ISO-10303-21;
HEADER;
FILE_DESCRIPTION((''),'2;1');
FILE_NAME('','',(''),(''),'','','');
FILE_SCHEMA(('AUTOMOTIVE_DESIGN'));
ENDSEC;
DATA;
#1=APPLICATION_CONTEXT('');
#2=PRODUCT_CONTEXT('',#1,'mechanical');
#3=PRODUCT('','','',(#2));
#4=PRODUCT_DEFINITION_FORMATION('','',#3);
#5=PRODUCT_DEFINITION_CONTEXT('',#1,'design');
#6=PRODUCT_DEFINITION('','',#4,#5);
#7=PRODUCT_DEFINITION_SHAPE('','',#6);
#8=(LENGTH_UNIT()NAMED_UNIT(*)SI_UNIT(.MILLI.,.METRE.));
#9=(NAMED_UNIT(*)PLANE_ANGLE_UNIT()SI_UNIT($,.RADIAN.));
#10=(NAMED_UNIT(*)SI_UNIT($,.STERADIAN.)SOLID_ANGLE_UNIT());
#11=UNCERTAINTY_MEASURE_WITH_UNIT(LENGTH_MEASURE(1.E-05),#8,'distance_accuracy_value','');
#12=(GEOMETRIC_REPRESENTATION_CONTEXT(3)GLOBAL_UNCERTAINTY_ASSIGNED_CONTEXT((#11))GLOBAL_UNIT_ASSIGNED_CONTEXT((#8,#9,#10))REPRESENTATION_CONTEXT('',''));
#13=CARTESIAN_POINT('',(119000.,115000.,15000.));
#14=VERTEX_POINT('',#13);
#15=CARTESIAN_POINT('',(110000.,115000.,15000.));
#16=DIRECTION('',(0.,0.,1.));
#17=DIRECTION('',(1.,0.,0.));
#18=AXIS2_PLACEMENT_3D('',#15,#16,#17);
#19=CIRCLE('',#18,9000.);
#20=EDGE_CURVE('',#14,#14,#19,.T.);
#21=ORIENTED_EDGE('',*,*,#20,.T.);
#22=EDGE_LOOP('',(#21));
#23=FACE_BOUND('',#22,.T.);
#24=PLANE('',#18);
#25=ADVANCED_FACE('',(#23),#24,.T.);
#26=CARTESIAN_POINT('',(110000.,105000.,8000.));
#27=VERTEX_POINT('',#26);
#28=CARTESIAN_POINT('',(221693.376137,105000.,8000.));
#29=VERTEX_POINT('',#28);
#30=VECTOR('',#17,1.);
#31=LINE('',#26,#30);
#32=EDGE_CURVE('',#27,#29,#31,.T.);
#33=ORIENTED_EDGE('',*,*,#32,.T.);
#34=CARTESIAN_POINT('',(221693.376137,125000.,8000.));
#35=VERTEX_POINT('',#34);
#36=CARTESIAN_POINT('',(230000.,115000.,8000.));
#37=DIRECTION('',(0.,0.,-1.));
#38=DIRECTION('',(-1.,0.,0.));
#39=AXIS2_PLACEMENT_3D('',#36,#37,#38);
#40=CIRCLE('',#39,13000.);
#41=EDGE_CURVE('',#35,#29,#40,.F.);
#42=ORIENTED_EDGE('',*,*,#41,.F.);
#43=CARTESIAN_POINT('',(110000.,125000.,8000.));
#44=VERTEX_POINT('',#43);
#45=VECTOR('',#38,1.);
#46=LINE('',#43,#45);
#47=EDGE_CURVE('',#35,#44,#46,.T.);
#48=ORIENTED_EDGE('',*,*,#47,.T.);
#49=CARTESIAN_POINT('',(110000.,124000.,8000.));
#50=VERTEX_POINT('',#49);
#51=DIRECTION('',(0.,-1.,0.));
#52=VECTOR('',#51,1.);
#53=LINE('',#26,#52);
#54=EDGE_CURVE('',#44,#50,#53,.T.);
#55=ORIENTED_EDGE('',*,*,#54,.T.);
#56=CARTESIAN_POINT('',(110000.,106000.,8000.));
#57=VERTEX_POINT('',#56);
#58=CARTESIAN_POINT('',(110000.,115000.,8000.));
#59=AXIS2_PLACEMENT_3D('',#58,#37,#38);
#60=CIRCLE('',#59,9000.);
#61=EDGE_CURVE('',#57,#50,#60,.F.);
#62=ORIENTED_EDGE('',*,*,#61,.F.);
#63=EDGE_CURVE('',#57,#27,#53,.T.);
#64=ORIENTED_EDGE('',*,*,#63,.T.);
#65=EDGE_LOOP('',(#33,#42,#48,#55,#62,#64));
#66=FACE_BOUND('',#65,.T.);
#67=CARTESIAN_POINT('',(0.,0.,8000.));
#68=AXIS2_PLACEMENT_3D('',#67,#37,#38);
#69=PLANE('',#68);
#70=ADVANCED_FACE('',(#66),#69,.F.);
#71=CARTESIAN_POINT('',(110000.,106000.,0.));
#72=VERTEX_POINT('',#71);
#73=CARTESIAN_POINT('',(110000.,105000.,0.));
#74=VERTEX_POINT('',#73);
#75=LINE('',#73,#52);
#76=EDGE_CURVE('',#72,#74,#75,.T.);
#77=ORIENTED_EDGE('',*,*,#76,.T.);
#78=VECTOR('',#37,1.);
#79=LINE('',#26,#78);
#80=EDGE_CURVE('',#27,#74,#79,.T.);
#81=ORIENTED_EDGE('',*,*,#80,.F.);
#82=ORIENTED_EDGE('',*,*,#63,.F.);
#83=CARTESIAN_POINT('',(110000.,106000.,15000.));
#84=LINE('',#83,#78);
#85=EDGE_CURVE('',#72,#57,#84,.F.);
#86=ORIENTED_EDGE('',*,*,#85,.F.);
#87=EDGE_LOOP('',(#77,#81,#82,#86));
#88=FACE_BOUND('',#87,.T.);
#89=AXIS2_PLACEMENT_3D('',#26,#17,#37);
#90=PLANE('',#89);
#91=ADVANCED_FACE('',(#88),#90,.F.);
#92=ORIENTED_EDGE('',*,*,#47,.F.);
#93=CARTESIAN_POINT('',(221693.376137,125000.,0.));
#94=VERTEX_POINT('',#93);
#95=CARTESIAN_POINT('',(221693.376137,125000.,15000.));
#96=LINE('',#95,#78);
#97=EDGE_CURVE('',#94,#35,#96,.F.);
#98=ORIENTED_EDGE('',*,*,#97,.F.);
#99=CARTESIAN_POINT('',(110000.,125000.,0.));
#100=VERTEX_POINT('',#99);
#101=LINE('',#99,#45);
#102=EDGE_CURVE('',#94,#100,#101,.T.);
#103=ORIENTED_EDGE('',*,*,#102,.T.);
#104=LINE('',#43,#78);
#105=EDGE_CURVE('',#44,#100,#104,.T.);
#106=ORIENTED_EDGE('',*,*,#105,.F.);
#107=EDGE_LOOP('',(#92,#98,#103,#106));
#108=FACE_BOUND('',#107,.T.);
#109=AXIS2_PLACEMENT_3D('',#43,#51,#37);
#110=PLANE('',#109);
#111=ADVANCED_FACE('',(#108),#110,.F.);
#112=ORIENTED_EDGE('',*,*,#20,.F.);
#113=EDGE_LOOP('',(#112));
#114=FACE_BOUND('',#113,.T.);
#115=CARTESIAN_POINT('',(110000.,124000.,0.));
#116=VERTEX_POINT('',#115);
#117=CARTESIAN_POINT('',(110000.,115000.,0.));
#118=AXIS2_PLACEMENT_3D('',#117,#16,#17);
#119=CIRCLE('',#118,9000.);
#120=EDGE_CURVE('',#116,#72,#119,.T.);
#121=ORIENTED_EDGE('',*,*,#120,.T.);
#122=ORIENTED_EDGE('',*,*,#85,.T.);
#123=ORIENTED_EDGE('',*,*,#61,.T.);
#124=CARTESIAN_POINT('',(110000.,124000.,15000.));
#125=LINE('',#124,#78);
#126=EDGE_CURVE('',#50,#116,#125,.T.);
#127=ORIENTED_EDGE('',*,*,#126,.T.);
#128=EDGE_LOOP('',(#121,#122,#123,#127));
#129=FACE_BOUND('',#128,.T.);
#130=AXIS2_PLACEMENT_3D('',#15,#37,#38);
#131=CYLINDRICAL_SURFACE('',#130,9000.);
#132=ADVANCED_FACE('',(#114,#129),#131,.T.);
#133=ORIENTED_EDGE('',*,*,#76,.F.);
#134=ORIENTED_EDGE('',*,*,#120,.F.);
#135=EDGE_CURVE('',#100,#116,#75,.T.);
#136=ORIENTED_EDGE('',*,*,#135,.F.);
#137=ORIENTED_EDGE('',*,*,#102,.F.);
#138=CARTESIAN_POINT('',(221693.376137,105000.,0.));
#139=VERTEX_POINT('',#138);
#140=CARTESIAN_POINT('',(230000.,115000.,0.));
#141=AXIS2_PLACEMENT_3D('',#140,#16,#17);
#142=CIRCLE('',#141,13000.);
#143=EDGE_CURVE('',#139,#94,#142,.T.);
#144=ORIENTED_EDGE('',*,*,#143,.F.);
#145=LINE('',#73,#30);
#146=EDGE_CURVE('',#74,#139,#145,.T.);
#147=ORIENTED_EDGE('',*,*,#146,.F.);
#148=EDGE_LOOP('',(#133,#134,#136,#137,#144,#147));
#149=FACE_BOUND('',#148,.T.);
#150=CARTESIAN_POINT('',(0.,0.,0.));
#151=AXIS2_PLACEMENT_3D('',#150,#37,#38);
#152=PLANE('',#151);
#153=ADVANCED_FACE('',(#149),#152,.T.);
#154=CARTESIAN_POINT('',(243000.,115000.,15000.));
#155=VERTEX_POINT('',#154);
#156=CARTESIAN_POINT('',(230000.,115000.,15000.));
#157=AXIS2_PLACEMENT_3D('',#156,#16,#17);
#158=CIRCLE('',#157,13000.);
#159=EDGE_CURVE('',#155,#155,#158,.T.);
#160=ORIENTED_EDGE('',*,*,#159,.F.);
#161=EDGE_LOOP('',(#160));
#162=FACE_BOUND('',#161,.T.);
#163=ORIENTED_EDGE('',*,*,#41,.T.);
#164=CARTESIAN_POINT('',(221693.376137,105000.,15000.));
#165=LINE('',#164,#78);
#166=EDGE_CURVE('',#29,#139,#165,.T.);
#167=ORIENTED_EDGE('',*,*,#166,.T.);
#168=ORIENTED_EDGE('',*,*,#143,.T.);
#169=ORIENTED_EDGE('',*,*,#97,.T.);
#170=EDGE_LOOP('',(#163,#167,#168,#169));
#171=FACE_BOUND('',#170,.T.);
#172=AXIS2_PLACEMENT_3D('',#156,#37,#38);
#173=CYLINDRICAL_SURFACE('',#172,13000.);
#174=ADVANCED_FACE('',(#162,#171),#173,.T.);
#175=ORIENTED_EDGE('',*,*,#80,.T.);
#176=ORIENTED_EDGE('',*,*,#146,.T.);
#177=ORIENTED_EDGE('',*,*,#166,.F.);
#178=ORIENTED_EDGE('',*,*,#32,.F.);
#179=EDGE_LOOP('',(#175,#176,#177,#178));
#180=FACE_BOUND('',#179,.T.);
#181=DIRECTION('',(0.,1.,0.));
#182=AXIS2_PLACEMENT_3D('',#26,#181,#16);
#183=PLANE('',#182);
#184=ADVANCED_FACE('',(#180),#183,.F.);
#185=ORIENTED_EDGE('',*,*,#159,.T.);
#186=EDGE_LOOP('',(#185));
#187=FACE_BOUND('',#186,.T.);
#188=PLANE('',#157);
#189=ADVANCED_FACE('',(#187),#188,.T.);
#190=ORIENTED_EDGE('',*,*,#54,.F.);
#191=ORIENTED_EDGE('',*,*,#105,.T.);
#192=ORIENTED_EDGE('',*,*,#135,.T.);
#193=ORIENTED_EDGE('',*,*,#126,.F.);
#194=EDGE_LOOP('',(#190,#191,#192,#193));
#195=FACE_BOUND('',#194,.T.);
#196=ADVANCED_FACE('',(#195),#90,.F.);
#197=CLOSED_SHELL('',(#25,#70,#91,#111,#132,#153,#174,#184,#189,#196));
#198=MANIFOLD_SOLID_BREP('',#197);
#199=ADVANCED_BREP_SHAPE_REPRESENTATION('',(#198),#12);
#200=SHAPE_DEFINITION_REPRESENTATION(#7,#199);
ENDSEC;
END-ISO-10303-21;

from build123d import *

# Parameters (mm, degrees)
SKETCH_1_W      = 120000
SKETCH_1_H      = 20000
EXTRUDE_1_DEPTH = 8000
SKETCH_2_R      = 9000
EXTRUDE_2_DEPTH = 15000
SKETCH_3_R      = 13000
EXTRUDE_3_DEPTH = 15000


with BuildPart() as part:
    # 草图1 → 凸台-拉伸1 (new body)
    with BuildSketch(Plane.XY):
        with Locations((170000, 115000)):
            Rectangle(SKETCH_1_W, SKETCH_1_H)
    extrude(amount=EXTRUDE_1_DEPTH)

    # 草图2 → 凸台-拉伸2 (add)
    with BuildSketch(Plane.XY):
        with Locations(Location((110000, 115000, 0), (0, 0, 270))):
            Circle(SKETCH_2_R)
    extrude(amount=EXTRUDE_2_DEPTH)

    # 草图3 → 凸台-拉伸3 (add)
    with BuildSketch(Plane.XY):
        with Locations(Location((230000, 115000, 0), (0, 0, 230.284862768))):
            Circle(SKETCH_3_R)
    extrude(amount=EXTRUDE_3_DEPTH)


solid = part.part
